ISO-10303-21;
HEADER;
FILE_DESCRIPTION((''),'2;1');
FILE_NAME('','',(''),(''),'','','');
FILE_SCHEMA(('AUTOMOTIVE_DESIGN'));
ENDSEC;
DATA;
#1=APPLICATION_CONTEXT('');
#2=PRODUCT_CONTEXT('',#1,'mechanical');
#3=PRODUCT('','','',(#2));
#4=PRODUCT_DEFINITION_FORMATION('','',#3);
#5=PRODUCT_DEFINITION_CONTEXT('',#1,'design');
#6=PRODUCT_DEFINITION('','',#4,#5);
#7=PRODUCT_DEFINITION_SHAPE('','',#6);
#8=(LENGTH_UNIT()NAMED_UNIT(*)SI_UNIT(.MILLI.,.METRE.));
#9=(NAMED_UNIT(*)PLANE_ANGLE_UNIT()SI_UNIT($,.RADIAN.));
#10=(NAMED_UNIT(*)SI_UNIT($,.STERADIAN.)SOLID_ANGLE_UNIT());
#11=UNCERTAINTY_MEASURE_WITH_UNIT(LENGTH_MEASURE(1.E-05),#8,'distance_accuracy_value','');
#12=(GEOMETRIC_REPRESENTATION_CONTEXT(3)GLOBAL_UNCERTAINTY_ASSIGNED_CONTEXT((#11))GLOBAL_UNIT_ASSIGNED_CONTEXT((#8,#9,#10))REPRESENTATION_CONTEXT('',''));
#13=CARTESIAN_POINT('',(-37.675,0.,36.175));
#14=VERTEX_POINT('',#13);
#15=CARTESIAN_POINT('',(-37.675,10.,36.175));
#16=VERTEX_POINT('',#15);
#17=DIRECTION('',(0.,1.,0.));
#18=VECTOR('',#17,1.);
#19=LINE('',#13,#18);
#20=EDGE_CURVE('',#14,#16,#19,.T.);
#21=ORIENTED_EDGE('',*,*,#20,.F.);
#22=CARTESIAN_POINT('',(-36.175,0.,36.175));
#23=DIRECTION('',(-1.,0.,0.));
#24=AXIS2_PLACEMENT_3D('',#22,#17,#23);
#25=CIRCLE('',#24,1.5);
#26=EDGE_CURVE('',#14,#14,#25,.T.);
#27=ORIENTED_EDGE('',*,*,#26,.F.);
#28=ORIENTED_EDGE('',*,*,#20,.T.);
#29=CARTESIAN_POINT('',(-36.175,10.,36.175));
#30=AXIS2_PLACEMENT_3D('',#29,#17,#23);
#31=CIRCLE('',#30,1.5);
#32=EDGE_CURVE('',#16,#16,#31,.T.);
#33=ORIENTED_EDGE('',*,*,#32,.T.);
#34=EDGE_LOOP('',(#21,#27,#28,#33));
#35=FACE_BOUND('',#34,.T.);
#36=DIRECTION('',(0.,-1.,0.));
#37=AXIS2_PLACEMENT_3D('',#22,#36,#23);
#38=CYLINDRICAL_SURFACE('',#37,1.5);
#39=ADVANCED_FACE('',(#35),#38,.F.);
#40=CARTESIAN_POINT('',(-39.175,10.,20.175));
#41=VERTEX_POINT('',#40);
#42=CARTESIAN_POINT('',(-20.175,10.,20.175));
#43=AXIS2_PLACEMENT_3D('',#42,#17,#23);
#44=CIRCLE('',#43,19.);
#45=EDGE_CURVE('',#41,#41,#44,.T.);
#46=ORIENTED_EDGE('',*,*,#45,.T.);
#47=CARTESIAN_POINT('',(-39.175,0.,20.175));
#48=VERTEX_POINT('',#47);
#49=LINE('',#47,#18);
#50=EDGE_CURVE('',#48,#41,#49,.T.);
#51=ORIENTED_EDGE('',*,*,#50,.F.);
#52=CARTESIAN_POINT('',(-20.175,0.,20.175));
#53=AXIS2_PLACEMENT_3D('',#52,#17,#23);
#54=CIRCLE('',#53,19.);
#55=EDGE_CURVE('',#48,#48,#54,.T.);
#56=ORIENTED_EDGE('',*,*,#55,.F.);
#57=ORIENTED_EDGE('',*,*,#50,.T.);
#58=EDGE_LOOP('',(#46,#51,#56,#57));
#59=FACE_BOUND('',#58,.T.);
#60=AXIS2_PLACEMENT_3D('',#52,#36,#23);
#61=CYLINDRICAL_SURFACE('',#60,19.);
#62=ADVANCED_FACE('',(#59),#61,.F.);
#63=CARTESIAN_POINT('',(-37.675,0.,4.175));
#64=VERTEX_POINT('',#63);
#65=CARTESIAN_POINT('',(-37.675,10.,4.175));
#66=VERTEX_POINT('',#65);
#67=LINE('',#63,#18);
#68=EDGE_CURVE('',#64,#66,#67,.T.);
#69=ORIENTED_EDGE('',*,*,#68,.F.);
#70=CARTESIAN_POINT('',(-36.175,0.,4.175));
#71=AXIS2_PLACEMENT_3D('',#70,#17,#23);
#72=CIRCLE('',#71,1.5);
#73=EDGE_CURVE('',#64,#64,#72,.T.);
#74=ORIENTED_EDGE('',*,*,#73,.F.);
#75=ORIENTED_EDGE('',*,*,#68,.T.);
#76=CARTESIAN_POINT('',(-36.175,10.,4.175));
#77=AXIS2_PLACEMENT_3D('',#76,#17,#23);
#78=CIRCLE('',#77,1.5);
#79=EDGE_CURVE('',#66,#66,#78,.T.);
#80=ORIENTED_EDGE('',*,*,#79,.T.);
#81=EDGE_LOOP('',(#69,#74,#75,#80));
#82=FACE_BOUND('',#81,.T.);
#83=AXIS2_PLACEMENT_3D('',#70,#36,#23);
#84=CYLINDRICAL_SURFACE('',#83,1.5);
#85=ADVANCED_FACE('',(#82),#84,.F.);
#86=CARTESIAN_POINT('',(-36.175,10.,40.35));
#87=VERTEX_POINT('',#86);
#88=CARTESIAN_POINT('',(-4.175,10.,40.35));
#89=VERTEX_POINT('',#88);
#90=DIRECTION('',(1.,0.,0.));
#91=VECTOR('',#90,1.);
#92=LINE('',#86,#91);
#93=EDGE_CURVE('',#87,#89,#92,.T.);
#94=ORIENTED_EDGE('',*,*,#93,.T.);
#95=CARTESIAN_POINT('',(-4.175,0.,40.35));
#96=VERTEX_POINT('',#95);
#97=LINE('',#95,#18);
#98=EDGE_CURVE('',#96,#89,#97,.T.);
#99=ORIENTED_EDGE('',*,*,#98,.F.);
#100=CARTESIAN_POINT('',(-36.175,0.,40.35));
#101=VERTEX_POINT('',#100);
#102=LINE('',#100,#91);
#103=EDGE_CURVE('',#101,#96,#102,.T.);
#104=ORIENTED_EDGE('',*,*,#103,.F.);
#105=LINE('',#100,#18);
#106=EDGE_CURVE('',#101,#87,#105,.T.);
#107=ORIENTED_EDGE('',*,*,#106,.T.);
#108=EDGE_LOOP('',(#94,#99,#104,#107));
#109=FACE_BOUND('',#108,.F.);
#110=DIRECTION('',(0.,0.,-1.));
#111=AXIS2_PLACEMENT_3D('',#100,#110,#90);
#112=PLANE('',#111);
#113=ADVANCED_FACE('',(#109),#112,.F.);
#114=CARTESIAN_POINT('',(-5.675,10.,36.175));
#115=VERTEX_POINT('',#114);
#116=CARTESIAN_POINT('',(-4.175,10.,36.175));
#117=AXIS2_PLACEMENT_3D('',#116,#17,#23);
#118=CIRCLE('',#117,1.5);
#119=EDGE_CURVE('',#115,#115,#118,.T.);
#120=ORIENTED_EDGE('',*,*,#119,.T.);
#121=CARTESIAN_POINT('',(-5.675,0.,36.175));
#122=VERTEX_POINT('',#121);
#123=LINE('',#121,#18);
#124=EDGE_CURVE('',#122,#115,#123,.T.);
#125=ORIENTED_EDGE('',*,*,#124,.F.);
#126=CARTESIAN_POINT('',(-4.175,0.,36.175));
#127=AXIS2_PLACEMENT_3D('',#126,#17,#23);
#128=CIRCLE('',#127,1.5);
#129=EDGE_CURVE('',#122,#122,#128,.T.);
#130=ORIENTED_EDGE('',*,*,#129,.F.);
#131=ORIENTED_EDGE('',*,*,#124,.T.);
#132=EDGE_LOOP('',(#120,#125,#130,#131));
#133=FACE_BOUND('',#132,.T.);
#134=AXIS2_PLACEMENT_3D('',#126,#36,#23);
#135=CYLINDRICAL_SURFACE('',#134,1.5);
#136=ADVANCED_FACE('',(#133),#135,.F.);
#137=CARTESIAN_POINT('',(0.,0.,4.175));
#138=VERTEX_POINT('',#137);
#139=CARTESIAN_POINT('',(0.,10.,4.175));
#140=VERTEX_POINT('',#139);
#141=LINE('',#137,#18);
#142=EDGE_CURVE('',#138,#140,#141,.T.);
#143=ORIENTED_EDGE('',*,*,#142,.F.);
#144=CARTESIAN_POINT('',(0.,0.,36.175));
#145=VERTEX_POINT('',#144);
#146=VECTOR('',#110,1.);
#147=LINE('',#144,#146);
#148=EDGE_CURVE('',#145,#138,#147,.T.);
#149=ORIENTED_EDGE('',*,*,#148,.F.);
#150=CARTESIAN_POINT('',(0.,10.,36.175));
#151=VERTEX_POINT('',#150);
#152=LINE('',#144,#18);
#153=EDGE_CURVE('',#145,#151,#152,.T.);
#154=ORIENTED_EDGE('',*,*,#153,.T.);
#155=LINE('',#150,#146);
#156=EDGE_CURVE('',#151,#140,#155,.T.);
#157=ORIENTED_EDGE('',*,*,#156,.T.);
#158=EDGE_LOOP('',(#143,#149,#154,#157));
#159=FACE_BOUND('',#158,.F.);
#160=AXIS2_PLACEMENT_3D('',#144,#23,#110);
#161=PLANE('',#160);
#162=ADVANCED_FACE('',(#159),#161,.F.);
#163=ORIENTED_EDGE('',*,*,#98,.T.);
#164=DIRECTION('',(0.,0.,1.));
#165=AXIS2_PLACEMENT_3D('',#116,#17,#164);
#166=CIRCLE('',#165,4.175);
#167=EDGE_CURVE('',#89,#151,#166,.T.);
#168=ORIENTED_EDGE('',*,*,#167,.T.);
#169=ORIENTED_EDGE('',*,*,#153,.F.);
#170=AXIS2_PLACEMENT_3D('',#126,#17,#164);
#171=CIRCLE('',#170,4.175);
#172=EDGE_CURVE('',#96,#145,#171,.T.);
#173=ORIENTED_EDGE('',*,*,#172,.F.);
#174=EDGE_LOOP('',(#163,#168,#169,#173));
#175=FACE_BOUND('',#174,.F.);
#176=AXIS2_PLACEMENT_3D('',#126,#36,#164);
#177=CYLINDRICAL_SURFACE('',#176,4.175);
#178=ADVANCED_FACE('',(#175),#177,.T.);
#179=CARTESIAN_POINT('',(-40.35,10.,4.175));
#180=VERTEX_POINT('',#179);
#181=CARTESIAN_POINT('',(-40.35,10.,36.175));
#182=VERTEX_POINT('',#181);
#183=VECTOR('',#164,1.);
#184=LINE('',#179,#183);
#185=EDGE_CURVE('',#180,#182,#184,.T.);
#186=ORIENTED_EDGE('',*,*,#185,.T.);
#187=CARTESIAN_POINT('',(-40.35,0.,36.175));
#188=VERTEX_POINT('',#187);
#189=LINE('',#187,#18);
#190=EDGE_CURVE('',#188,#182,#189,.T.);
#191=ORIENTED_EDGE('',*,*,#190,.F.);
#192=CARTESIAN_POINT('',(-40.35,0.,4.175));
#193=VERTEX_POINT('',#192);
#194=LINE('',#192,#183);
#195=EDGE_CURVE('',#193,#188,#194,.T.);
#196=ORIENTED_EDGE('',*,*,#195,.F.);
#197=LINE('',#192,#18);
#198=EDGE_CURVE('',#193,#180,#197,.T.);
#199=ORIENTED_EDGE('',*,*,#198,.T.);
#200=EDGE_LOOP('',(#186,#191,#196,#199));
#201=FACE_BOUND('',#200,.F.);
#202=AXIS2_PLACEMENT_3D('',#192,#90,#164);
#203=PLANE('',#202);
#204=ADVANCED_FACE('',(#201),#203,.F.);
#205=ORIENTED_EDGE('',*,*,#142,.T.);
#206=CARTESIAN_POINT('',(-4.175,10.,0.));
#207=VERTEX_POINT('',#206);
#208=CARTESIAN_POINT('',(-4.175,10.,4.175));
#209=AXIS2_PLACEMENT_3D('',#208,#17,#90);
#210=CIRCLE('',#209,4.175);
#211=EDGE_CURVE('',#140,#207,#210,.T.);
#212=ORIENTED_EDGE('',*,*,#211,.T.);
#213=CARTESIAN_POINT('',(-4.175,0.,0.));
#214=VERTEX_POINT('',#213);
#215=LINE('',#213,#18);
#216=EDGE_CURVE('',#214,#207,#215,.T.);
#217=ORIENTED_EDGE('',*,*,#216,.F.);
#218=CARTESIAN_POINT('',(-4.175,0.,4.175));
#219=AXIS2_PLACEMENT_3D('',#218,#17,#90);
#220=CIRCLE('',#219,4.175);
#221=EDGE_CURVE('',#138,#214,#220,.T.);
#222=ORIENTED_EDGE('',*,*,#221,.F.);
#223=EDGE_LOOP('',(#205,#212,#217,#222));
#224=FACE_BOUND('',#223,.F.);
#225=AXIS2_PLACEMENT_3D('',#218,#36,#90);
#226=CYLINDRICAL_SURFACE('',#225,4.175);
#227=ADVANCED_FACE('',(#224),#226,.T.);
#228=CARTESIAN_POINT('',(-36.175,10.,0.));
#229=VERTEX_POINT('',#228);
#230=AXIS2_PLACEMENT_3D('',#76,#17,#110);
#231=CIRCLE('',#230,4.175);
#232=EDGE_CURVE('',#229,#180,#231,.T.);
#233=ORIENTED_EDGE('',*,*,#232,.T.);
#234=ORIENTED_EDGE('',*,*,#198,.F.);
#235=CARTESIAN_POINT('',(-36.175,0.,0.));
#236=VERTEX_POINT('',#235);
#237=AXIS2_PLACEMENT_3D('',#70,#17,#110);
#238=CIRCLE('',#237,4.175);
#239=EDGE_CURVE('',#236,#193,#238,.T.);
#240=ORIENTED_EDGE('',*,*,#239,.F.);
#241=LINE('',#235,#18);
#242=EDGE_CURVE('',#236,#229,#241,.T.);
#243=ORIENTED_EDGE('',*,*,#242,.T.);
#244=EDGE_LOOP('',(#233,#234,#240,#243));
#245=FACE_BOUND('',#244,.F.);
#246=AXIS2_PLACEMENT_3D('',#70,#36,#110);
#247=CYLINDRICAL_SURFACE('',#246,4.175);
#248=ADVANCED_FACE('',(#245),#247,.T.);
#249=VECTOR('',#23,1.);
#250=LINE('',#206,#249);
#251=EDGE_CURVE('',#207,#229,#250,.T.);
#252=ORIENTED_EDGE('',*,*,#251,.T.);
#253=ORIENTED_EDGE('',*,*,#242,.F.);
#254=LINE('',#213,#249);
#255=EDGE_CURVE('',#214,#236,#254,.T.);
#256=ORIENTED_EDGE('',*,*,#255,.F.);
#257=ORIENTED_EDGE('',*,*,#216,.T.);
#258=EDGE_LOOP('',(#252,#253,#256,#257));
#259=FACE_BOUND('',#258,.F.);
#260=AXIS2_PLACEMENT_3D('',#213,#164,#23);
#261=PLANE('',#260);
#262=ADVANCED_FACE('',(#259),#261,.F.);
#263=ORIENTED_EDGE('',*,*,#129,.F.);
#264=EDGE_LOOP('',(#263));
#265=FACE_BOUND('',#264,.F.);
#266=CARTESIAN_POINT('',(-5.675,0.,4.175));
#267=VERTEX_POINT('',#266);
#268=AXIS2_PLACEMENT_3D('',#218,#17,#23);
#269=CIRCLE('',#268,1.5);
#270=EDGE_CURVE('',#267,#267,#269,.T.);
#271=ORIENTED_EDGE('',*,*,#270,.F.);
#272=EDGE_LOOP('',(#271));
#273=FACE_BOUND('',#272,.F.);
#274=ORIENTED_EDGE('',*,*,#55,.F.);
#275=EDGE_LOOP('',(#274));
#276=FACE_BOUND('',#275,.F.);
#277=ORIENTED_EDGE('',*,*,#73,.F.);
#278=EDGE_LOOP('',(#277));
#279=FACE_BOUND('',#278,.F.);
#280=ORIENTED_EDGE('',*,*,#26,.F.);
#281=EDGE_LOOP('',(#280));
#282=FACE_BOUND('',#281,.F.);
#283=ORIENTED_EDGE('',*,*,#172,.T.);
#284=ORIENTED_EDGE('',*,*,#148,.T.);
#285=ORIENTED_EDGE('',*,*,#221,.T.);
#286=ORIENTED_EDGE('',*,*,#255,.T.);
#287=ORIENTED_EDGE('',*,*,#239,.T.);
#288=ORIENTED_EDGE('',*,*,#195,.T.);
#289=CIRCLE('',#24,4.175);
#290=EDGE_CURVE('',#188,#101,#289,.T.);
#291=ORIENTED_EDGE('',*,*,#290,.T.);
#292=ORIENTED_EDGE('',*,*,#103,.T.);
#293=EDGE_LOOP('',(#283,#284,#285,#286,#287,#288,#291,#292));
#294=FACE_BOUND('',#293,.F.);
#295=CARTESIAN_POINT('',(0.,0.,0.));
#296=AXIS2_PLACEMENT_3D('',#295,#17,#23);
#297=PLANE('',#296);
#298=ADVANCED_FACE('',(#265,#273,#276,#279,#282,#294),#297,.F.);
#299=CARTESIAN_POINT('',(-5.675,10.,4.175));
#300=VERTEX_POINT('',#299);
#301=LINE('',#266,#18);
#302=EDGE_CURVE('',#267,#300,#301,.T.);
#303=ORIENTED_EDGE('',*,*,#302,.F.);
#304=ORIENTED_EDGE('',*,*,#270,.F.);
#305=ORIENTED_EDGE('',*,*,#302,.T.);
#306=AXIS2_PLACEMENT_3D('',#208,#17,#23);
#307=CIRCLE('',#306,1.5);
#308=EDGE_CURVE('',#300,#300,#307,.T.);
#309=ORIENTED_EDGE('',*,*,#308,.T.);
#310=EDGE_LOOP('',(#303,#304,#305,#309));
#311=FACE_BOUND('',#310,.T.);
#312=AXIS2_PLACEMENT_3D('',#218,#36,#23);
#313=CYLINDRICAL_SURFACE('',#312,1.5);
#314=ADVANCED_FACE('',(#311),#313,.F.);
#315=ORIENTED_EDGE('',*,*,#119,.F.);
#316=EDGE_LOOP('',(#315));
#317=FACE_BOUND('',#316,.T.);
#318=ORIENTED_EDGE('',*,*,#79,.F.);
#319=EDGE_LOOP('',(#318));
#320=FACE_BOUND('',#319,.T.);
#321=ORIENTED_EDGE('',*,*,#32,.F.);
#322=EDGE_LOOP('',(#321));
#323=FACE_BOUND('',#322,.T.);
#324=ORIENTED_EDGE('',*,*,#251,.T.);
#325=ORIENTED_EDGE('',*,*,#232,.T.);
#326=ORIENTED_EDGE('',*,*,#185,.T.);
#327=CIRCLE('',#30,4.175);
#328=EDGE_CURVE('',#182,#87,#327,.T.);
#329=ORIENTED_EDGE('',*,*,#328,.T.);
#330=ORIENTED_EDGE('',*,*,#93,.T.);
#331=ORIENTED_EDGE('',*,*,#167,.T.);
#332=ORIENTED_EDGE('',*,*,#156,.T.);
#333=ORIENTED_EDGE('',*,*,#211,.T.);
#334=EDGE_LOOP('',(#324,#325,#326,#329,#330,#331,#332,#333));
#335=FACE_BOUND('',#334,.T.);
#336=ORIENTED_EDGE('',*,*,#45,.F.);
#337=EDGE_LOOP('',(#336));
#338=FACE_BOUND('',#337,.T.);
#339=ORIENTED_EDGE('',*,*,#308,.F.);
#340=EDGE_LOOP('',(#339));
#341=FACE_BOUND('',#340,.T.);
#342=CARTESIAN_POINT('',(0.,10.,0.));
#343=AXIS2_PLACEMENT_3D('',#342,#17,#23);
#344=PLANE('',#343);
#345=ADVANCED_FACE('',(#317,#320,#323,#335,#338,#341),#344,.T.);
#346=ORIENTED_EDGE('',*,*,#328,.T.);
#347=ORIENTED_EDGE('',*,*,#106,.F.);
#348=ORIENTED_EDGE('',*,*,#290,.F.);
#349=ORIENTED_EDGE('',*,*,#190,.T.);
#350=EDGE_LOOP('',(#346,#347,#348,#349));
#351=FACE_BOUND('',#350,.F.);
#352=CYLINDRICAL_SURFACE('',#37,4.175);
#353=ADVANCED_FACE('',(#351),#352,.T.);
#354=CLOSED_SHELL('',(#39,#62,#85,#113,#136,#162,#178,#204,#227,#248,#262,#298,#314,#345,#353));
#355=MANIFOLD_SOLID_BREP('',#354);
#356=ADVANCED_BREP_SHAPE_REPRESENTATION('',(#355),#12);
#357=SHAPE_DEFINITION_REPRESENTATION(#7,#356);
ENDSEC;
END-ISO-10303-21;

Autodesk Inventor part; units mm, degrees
ref_plane "YZ Plane" through (0, 0, 0) normal (1, 0, 0) x (0, 1, 0)
ref_plane "XZ Plane" through (0, 0, 0) normal (0, 1, 0) x (-1, 0, 0)
ref_plane "XY Plane" through (0, 0, 0) normal (0, 0, 1) x (1, 0, 0)
sketch "Sketch1" plane through (0, 0, 0) normal (0, 1, 0) x (-1, 0, 0)
  line L0 (4.175, 0) -> (36.175, 0)
  line L1 (40.35, 4.175) -> (40.35, 36.175)
  line L2 (36.175, 40.35) -> (4.175, 40.35)
  line L3 (0, 36.175) -> (0, 4.175)
  circle A0 centre (4.175, 4.175) radius 1.5
  circle A1 centre (36.175, 4.175) radius 1.5
  circle A2 centre (4.175, 36.175) radius 1.5
  circle A3 centre (36.175, 36.175) radius 1.5
  arc A4 (4.175, 40.35) -> (0, 36.175) centre (4.175, 36.175) ccw
  arc A5 (40.35, 36.175) -> (36.175, 40.35) centre (36.175, 36.175) ccw
  arc A6 (36.175, 0) -> (40.35, 4.175) centre (36.175, 4.175) ccw
  arc A7 (0, 4.175) -> (4.175, 0) centre (4.175, 4.175) ccw
  circle A8 centre (20.175, 20.175) radius 19
  point P0 (0, 0)
  point P1 (40.35, 0)
  point P2 (40.35, 40.35)
  dimension "d0" = 40.35
  dimension "d1" = 40.35
  dimension "d2" = 3
  dimension "d5" = 32
  dimension "d8" = 32
  dimension "d12" = 4.175
  dimension "d15" = 38
  dimension "d16" = 20.175
  dimension "d17" = 20.175
extrude "Extrusion2" add sketch "Sketch1" along normal blind 10
properties part number "Ventilador" material "Rubber, Silicone"
